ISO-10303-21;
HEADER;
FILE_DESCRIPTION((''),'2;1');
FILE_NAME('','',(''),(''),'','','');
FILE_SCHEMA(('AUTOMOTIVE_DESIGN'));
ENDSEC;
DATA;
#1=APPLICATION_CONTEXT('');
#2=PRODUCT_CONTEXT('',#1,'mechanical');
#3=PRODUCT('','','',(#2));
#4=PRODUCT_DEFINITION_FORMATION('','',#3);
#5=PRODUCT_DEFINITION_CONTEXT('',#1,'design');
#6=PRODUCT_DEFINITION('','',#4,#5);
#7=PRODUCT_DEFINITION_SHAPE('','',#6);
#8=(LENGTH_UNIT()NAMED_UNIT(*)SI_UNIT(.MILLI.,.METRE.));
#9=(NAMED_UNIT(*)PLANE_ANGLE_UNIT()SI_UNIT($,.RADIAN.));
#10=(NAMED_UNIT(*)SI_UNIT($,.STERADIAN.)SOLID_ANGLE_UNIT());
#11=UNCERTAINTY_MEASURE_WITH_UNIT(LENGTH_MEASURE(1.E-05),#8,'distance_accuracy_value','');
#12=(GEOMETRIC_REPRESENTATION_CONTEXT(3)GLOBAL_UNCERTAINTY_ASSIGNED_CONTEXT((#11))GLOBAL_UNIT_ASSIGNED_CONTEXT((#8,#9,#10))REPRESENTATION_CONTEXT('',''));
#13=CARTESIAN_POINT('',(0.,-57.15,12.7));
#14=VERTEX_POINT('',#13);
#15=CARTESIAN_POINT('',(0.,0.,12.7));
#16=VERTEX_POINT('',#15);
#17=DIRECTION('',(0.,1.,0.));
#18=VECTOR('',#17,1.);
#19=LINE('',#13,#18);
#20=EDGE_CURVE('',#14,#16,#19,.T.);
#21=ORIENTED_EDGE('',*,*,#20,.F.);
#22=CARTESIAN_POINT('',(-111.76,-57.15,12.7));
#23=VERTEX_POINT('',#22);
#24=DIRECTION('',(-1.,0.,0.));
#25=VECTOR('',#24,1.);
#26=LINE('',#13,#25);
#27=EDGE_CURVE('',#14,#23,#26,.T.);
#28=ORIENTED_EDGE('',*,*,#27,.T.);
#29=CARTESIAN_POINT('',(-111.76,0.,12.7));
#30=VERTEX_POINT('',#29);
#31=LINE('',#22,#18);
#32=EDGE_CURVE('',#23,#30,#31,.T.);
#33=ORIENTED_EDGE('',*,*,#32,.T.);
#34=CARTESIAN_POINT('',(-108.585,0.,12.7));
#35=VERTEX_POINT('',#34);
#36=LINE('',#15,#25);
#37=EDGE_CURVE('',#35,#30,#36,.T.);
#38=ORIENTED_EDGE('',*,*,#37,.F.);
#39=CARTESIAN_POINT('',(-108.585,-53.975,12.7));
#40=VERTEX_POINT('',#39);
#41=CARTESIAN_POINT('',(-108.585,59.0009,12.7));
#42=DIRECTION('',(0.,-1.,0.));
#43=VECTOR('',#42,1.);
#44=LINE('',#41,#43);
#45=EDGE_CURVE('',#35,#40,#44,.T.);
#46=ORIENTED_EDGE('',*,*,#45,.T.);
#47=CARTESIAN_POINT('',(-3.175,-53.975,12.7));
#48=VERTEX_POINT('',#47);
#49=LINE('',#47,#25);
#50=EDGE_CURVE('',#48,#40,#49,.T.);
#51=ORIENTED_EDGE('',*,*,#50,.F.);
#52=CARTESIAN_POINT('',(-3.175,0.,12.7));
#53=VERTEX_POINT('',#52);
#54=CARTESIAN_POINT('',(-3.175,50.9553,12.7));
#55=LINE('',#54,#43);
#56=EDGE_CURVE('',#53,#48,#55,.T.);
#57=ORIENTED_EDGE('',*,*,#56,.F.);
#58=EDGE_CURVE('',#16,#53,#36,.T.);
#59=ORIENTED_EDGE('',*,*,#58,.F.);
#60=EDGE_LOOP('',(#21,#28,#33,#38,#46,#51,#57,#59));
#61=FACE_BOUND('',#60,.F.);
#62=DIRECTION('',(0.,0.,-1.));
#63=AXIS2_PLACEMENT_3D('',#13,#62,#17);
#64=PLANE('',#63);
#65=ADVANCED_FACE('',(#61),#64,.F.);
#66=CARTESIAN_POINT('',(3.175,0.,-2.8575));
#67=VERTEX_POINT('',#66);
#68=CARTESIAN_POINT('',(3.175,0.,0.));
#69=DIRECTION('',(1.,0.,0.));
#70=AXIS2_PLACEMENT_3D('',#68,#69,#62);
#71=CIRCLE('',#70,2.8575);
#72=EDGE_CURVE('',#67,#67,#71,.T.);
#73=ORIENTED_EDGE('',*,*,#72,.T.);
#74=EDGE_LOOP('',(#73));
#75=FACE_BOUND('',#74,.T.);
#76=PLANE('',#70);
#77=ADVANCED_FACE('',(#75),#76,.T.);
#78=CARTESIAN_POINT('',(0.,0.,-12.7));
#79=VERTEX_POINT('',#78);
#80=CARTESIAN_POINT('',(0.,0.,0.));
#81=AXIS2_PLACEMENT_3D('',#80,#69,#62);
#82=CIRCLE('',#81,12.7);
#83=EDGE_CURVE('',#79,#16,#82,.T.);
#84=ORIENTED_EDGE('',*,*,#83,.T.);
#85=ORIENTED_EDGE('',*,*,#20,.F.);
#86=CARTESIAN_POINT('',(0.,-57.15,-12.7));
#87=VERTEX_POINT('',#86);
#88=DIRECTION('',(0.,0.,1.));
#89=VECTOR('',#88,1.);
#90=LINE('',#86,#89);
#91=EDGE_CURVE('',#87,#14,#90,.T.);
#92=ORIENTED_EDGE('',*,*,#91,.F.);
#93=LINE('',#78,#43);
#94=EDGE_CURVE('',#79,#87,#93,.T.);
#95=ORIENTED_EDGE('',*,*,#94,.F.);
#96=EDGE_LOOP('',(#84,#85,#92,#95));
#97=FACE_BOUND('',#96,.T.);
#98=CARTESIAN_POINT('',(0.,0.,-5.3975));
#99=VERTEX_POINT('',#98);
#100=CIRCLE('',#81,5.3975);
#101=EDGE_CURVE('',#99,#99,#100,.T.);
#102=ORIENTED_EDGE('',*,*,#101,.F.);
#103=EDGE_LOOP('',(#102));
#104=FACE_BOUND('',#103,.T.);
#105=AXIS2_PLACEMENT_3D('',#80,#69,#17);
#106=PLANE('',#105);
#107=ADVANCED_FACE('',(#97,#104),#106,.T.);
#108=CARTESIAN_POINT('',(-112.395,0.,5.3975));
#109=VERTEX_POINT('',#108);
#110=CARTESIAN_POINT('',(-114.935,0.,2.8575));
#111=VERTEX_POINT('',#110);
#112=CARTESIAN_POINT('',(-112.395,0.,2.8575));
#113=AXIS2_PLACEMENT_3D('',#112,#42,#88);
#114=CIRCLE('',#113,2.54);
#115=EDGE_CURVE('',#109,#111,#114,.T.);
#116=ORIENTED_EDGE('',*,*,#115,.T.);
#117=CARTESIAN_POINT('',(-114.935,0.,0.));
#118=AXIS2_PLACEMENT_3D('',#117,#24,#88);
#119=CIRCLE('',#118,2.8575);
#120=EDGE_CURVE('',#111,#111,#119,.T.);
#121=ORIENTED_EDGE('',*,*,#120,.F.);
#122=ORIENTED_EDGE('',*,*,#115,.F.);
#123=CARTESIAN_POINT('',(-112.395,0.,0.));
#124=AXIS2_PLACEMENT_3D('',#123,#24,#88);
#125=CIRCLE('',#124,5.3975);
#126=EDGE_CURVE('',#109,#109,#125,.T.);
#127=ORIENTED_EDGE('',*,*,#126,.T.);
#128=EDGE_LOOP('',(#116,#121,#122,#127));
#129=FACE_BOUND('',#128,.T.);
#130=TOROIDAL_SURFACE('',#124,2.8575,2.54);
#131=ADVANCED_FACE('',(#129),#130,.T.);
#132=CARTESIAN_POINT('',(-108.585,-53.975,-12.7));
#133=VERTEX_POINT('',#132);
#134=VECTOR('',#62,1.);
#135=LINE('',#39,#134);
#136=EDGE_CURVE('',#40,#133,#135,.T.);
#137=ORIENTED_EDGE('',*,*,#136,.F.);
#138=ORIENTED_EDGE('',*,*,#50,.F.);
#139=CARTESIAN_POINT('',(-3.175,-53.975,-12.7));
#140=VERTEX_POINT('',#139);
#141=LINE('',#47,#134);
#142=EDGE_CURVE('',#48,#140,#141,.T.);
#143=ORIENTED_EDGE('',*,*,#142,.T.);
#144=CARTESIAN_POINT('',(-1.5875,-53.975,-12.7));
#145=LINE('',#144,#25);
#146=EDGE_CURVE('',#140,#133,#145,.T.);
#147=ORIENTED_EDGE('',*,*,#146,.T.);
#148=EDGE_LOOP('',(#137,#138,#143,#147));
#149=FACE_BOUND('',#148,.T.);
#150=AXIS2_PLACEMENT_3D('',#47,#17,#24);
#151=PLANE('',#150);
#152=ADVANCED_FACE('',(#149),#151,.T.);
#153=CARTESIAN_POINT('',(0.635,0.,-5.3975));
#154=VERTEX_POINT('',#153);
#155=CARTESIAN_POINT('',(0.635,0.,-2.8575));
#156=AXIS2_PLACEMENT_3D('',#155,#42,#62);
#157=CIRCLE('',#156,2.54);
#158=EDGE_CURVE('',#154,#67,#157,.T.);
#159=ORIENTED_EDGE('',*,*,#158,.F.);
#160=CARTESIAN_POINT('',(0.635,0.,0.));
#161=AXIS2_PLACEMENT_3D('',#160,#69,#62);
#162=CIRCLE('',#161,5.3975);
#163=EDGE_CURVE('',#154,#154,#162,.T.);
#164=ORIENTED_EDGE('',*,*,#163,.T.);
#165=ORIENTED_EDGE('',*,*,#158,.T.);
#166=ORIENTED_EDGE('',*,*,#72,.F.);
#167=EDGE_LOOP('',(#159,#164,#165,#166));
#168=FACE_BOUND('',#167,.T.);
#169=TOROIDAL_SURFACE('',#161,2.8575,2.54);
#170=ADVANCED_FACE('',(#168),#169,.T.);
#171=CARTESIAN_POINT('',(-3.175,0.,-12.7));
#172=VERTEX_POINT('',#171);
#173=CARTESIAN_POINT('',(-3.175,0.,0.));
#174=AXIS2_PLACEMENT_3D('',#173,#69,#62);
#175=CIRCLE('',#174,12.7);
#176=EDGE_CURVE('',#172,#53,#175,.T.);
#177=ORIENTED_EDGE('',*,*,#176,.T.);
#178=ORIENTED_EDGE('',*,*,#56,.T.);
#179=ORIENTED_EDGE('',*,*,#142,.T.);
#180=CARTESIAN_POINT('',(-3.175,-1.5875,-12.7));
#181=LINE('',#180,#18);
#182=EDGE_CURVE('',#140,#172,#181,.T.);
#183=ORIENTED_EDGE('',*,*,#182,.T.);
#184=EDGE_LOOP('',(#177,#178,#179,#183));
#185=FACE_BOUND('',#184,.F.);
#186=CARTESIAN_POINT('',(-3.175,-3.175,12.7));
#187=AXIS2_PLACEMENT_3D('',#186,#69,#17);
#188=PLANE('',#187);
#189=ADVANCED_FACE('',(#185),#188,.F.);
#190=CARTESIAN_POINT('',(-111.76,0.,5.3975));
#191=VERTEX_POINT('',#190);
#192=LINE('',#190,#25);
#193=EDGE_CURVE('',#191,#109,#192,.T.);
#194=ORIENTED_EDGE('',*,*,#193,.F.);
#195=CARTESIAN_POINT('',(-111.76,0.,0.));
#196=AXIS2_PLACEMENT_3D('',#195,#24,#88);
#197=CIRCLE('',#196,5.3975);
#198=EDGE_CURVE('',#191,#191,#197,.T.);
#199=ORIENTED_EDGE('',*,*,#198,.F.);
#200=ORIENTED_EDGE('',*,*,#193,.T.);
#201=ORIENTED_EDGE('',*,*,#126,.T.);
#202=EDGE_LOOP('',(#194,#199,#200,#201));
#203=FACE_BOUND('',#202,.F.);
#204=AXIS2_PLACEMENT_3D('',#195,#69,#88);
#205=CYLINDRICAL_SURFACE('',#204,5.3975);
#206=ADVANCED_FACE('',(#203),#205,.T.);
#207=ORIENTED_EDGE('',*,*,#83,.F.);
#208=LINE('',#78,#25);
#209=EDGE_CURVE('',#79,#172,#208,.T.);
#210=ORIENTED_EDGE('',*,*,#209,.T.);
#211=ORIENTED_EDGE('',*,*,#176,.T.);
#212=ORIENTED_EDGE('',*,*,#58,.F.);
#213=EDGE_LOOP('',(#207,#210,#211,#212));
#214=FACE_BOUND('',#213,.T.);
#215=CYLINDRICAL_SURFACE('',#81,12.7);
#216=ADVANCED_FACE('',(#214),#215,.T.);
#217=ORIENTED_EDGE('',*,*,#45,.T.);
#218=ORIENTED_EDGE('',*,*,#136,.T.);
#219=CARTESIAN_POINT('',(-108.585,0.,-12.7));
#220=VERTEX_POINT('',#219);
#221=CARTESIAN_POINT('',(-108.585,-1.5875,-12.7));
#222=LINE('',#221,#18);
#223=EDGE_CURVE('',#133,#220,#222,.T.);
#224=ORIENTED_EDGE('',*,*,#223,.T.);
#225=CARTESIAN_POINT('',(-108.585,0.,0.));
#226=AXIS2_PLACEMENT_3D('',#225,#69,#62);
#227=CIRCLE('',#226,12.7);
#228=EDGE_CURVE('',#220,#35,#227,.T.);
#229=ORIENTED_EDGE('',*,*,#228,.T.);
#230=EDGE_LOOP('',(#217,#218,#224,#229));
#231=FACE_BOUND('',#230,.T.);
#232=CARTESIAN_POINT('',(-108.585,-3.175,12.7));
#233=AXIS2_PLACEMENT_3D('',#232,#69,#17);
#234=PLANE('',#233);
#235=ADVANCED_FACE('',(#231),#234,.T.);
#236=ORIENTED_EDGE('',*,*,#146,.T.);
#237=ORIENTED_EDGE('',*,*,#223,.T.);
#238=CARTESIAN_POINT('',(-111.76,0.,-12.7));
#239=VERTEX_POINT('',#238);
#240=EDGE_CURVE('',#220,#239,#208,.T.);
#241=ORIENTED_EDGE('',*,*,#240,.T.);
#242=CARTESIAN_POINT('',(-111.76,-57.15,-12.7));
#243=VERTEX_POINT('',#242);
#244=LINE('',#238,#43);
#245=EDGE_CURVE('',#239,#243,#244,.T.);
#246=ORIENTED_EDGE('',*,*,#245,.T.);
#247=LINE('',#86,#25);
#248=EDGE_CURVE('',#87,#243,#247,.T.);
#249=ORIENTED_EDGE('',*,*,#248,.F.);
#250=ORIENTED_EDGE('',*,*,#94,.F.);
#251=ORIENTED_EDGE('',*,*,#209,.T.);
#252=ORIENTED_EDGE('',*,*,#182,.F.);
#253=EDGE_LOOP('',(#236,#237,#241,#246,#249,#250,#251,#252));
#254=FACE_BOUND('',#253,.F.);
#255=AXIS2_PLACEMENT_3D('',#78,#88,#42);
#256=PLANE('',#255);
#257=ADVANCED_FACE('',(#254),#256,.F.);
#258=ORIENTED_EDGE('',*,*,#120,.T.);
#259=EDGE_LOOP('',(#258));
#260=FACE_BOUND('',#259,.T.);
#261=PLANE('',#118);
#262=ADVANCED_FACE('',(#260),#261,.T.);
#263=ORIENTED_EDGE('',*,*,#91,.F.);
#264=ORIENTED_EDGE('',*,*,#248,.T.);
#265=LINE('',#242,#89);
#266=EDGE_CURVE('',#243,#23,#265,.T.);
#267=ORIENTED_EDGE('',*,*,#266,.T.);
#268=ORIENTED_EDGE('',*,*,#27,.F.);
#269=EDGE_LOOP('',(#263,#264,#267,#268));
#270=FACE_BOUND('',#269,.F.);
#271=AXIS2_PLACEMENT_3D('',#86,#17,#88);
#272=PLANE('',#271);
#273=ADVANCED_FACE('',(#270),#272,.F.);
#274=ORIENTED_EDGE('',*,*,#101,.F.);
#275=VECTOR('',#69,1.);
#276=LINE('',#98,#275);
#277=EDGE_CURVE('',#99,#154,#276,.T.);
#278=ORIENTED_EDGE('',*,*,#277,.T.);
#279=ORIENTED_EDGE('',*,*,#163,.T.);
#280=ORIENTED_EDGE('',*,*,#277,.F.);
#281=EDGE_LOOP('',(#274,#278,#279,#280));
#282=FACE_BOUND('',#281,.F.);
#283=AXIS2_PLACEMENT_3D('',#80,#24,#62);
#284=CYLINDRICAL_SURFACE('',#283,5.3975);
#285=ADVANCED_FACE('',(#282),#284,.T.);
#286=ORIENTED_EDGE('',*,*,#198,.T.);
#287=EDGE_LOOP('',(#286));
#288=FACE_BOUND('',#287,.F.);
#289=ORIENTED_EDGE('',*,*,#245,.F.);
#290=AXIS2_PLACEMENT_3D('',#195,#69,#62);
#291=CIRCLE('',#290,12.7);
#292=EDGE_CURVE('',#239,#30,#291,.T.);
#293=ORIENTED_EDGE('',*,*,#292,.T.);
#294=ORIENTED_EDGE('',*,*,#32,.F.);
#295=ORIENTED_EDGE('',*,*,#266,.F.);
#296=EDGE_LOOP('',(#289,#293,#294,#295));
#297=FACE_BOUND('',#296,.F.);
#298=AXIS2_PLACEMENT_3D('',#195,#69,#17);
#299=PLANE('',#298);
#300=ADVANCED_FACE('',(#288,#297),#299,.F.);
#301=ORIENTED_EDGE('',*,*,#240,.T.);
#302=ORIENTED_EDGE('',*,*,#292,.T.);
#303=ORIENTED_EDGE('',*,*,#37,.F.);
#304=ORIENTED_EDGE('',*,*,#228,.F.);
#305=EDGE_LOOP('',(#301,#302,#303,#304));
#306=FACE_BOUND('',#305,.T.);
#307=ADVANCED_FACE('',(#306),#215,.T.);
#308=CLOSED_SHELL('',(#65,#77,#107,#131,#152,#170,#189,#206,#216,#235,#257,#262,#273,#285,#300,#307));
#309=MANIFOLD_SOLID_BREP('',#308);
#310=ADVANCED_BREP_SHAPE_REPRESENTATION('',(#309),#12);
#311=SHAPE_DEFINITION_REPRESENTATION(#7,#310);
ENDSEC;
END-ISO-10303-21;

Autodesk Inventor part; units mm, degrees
ref_plane "YZ Plane" through (0, 0, 0) normal (1, 0, 0) x (0, 1, 0)
ref_plane "XZ Plane" through (0, 0, 0) normal (0, 1, 0) x (-1, 0, 0)
ref_plane "XY Plane" through (0, 0, 0) normal (0, 0, 1) x (1, 0, 0)
sketch "Sketch1" plane through (0, 0, 0) normal (1, 0, 0) x (0, 1, 0)
  arc A0 (0, -12.7) -> (0, 12.7) centre (0, 0) ccw
  line L0 (0, -12.7) -> (-57.15, -12.7)
  line L1 (-57.15, -12.7) -> (-57.15, 12.7)
  line L2 (-57.15, 12.7) -> (0, 12.7)
  dimension "d0" = 25.4
  dimension "d1" = 57.15
extrude "Extrusion1" add sketch "Sketch1" against normal blind 111.76
sketch "Sketch2" plane through (0, -57.15, 12.7) normal (0, 0, 1) x (1, 0, 0)
  line L0 (0, 57.15) -> (0, 0) projected
  line L1 (0, 57.15) -> (-111.76, 57.15) projected
  line L2 (-111.76, 0) -> (-111.76, 57.15) projected
  line L3 (0, 0) -> (-111.76, 0) projected
  line L4 (-108.585, 3.175) -> (-108.585, 53.975)
  line L5 (-108.585, 53.975) -> (-3.175, 53.975)
  line L6 (-3.175, 53.975) -> (-3.175, 3.175)
  line L7 (-3.175, 3.175) -> (-108.585, 3.175)
  line L8 (-108.585, 53.975) -> (-108.585, 116.1509)
  line L9 (-108.585, 116.1509) -> (-5.0285, 113.469)
  line L10 (-3.175, 53.975) -> (-3.175, 108.1053)
  line L11 (-3.175, 108.1053) -> (-18.8552, 122.8908)
  point P0 (-8.9715, 113.5711)
  dimension "d4" = 3.175
extrude "Extrusion2" cut sketch "Sketch2" against normal blind 111.76 contours L10 L5 L8 L1 | L1 L8 L9 L11 L10 | L6 L7 L4 L5
sketch "Sketch3" plane through (0, 0, 0) normal (1, 0, 0) x (0, 0, -1)
  circle A0 centre (0, 0) radius 5.3975
  dimension "d7" = 10.795
sketch "Sketch4" plane through (-111.76, 0, 0) normal (-1, 0, 0) x (0, 0, 1)
  circle A0 centre (0, 0) radius 5.3975
  dimension "d8" = 10.795
extrude "Extrusion3" add sketch "Sketch4" along normal blind 3.175
fillet "Fillet1" radius 2.54 1 edges at (-114.935, 0, -5.3975)
extrude "Extrusion4" add sketch "Sketch3" along normal blind 3.175
fillet "Fillet2" radius 2.54 1 edges at (3.175, 0, 5.3975)
properties part number "box bot"
